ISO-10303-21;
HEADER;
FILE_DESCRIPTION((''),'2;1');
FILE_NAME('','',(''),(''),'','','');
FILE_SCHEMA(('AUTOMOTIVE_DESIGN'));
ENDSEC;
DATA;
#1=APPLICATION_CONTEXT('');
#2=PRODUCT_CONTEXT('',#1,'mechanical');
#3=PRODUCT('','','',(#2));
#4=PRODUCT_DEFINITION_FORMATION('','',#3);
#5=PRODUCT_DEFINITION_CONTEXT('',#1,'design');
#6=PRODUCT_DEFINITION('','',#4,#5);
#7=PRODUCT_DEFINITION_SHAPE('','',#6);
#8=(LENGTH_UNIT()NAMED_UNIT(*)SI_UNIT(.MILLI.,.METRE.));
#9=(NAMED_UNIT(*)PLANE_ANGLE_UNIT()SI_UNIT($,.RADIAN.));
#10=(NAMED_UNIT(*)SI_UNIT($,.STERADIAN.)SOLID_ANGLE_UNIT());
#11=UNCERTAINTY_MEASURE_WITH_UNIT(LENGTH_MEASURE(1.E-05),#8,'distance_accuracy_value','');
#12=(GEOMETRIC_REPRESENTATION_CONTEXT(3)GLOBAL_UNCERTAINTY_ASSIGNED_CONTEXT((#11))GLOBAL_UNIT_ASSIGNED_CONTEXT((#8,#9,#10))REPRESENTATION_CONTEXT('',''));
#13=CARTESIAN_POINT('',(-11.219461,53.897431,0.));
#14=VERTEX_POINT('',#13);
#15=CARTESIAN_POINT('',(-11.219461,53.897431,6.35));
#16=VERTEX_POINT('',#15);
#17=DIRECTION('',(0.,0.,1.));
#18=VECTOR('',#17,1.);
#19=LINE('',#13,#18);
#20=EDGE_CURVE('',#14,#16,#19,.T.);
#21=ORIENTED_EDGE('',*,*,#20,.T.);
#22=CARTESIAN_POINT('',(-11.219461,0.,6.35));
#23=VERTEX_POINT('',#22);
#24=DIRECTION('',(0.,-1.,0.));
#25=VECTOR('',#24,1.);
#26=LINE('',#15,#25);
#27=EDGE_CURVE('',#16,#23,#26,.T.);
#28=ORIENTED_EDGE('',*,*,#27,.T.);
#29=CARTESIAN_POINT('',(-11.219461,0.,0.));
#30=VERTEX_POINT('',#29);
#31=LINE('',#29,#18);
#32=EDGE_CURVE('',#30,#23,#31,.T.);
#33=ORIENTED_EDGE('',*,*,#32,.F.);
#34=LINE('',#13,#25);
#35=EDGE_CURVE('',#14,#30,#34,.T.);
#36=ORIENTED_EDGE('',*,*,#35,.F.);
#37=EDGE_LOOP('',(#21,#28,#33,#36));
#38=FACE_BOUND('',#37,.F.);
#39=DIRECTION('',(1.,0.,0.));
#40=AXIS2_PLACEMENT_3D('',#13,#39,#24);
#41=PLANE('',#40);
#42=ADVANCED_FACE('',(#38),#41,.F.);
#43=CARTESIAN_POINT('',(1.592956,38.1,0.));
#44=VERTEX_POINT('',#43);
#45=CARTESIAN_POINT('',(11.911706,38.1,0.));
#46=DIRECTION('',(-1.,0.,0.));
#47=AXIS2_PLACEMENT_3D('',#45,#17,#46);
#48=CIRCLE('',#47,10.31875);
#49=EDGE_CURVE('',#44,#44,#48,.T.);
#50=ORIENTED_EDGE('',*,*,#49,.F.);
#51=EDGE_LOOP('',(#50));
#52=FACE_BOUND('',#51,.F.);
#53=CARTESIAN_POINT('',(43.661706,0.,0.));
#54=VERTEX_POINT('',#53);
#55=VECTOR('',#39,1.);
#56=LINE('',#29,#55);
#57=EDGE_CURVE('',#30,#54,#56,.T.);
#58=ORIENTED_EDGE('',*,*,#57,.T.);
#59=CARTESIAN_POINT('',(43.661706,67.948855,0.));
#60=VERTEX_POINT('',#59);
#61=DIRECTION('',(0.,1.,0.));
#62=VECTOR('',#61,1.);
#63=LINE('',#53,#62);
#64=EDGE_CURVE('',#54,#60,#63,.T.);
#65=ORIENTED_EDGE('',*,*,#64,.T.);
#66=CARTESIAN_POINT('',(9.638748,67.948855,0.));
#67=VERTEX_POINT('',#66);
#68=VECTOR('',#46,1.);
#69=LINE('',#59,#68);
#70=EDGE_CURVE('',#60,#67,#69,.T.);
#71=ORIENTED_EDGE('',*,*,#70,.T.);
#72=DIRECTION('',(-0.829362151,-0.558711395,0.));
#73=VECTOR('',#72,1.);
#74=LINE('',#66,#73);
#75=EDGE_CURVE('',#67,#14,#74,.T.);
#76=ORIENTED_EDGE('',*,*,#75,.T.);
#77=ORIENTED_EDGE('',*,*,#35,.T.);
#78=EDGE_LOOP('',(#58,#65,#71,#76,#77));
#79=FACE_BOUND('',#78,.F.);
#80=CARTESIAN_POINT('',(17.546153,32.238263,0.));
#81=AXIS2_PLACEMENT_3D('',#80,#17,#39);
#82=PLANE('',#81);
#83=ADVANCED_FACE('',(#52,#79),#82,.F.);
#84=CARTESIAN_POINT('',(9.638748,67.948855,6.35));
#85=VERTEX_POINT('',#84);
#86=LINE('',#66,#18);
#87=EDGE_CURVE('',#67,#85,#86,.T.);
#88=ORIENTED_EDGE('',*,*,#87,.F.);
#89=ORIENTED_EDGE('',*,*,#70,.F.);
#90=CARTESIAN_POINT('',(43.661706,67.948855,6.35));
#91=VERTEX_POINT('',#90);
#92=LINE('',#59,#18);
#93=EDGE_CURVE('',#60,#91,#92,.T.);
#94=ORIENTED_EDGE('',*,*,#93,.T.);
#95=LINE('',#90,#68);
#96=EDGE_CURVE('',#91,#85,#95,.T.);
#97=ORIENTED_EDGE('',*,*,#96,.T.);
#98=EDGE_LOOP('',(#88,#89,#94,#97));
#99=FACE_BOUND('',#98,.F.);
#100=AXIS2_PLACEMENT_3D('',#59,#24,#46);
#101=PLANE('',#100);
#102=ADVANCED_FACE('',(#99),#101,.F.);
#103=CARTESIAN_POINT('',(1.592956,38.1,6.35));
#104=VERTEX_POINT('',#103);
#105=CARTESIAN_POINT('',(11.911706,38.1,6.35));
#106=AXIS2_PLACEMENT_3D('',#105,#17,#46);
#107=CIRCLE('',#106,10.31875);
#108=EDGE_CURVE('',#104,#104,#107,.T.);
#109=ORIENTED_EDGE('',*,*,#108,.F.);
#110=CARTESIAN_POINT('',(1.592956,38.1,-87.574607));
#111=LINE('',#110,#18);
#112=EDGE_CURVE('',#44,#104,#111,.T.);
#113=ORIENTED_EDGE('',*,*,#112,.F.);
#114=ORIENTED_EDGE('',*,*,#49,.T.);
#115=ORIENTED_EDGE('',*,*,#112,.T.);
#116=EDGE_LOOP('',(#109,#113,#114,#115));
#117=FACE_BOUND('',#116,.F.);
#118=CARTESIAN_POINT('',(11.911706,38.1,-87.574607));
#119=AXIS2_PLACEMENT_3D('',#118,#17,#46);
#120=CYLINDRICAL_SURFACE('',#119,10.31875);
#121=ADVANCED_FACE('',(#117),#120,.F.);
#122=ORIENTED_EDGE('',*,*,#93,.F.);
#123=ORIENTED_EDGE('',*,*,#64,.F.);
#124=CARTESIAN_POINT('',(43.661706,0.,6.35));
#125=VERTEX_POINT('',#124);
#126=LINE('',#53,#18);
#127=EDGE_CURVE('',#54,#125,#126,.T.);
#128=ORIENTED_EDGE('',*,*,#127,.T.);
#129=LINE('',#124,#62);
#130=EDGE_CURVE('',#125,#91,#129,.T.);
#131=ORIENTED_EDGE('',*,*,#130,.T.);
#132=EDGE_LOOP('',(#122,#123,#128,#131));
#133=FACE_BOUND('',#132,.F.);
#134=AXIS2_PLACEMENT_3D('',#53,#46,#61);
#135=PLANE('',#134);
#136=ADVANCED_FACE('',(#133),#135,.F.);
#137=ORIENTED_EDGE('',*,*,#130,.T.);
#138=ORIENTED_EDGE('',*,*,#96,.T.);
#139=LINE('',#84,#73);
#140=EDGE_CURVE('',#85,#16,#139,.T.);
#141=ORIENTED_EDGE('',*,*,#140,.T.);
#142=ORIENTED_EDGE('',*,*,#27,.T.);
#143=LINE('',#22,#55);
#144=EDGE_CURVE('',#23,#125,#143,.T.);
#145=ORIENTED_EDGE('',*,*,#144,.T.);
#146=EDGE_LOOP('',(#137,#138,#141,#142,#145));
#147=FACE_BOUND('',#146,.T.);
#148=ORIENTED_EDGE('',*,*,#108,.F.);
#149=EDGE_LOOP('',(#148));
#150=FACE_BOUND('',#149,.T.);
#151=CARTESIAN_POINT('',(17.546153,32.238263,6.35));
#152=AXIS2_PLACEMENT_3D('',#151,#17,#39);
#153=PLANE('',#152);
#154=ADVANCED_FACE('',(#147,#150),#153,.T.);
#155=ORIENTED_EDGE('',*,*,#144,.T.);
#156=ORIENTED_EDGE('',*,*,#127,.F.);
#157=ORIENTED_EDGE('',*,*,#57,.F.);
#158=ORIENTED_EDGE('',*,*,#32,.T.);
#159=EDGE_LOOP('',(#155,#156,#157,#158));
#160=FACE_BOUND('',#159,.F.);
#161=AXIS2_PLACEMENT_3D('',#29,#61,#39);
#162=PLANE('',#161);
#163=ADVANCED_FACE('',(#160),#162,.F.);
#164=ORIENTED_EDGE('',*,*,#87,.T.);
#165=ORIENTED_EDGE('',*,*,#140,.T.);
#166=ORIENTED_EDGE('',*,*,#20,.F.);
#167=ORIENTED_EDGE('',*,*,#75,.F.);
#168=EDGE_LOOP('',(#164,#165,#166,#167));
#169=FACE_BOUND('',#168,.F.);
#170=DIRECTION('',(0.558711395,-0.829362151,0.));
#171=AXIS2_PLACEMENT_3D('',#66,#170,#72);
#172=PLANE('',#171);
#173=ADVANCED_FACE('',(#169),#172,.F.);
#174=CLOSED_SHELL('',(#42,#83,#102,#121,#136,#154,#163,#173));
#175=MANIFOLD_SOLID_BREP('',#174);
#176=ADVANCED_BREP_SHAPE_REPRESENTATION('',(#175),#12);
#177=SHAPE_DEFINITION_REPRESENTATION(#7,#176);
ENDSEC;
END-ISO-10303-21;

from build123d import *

# Parameters (mm, degrees)
F1_DEPTH = 6.35
F2_D     = 20.6375


with BuildPart() as f1:
    # F0 (on Top) → F1 (new body)
    with BuildSketch(Plane.XY):
        Polygon((43.6617064791, 67.9488546303), (9.638747696, 67.9488546303), (-11.2194608056, 53.8974311782), (-11.2194608056, 0), (43.6617064791, 0), align=None)
    extrude(amount=F1_DEPTH)

    # F2 (through all)
    with Locations(Plane(origin=(0, 0, 0), x_dir=(1, 0, 0), z_dir=(0, 0, -1))):
        with Locations((11.9117064791, -38.1)):
            Hole(F2_D / 2)


solid = f1.part
